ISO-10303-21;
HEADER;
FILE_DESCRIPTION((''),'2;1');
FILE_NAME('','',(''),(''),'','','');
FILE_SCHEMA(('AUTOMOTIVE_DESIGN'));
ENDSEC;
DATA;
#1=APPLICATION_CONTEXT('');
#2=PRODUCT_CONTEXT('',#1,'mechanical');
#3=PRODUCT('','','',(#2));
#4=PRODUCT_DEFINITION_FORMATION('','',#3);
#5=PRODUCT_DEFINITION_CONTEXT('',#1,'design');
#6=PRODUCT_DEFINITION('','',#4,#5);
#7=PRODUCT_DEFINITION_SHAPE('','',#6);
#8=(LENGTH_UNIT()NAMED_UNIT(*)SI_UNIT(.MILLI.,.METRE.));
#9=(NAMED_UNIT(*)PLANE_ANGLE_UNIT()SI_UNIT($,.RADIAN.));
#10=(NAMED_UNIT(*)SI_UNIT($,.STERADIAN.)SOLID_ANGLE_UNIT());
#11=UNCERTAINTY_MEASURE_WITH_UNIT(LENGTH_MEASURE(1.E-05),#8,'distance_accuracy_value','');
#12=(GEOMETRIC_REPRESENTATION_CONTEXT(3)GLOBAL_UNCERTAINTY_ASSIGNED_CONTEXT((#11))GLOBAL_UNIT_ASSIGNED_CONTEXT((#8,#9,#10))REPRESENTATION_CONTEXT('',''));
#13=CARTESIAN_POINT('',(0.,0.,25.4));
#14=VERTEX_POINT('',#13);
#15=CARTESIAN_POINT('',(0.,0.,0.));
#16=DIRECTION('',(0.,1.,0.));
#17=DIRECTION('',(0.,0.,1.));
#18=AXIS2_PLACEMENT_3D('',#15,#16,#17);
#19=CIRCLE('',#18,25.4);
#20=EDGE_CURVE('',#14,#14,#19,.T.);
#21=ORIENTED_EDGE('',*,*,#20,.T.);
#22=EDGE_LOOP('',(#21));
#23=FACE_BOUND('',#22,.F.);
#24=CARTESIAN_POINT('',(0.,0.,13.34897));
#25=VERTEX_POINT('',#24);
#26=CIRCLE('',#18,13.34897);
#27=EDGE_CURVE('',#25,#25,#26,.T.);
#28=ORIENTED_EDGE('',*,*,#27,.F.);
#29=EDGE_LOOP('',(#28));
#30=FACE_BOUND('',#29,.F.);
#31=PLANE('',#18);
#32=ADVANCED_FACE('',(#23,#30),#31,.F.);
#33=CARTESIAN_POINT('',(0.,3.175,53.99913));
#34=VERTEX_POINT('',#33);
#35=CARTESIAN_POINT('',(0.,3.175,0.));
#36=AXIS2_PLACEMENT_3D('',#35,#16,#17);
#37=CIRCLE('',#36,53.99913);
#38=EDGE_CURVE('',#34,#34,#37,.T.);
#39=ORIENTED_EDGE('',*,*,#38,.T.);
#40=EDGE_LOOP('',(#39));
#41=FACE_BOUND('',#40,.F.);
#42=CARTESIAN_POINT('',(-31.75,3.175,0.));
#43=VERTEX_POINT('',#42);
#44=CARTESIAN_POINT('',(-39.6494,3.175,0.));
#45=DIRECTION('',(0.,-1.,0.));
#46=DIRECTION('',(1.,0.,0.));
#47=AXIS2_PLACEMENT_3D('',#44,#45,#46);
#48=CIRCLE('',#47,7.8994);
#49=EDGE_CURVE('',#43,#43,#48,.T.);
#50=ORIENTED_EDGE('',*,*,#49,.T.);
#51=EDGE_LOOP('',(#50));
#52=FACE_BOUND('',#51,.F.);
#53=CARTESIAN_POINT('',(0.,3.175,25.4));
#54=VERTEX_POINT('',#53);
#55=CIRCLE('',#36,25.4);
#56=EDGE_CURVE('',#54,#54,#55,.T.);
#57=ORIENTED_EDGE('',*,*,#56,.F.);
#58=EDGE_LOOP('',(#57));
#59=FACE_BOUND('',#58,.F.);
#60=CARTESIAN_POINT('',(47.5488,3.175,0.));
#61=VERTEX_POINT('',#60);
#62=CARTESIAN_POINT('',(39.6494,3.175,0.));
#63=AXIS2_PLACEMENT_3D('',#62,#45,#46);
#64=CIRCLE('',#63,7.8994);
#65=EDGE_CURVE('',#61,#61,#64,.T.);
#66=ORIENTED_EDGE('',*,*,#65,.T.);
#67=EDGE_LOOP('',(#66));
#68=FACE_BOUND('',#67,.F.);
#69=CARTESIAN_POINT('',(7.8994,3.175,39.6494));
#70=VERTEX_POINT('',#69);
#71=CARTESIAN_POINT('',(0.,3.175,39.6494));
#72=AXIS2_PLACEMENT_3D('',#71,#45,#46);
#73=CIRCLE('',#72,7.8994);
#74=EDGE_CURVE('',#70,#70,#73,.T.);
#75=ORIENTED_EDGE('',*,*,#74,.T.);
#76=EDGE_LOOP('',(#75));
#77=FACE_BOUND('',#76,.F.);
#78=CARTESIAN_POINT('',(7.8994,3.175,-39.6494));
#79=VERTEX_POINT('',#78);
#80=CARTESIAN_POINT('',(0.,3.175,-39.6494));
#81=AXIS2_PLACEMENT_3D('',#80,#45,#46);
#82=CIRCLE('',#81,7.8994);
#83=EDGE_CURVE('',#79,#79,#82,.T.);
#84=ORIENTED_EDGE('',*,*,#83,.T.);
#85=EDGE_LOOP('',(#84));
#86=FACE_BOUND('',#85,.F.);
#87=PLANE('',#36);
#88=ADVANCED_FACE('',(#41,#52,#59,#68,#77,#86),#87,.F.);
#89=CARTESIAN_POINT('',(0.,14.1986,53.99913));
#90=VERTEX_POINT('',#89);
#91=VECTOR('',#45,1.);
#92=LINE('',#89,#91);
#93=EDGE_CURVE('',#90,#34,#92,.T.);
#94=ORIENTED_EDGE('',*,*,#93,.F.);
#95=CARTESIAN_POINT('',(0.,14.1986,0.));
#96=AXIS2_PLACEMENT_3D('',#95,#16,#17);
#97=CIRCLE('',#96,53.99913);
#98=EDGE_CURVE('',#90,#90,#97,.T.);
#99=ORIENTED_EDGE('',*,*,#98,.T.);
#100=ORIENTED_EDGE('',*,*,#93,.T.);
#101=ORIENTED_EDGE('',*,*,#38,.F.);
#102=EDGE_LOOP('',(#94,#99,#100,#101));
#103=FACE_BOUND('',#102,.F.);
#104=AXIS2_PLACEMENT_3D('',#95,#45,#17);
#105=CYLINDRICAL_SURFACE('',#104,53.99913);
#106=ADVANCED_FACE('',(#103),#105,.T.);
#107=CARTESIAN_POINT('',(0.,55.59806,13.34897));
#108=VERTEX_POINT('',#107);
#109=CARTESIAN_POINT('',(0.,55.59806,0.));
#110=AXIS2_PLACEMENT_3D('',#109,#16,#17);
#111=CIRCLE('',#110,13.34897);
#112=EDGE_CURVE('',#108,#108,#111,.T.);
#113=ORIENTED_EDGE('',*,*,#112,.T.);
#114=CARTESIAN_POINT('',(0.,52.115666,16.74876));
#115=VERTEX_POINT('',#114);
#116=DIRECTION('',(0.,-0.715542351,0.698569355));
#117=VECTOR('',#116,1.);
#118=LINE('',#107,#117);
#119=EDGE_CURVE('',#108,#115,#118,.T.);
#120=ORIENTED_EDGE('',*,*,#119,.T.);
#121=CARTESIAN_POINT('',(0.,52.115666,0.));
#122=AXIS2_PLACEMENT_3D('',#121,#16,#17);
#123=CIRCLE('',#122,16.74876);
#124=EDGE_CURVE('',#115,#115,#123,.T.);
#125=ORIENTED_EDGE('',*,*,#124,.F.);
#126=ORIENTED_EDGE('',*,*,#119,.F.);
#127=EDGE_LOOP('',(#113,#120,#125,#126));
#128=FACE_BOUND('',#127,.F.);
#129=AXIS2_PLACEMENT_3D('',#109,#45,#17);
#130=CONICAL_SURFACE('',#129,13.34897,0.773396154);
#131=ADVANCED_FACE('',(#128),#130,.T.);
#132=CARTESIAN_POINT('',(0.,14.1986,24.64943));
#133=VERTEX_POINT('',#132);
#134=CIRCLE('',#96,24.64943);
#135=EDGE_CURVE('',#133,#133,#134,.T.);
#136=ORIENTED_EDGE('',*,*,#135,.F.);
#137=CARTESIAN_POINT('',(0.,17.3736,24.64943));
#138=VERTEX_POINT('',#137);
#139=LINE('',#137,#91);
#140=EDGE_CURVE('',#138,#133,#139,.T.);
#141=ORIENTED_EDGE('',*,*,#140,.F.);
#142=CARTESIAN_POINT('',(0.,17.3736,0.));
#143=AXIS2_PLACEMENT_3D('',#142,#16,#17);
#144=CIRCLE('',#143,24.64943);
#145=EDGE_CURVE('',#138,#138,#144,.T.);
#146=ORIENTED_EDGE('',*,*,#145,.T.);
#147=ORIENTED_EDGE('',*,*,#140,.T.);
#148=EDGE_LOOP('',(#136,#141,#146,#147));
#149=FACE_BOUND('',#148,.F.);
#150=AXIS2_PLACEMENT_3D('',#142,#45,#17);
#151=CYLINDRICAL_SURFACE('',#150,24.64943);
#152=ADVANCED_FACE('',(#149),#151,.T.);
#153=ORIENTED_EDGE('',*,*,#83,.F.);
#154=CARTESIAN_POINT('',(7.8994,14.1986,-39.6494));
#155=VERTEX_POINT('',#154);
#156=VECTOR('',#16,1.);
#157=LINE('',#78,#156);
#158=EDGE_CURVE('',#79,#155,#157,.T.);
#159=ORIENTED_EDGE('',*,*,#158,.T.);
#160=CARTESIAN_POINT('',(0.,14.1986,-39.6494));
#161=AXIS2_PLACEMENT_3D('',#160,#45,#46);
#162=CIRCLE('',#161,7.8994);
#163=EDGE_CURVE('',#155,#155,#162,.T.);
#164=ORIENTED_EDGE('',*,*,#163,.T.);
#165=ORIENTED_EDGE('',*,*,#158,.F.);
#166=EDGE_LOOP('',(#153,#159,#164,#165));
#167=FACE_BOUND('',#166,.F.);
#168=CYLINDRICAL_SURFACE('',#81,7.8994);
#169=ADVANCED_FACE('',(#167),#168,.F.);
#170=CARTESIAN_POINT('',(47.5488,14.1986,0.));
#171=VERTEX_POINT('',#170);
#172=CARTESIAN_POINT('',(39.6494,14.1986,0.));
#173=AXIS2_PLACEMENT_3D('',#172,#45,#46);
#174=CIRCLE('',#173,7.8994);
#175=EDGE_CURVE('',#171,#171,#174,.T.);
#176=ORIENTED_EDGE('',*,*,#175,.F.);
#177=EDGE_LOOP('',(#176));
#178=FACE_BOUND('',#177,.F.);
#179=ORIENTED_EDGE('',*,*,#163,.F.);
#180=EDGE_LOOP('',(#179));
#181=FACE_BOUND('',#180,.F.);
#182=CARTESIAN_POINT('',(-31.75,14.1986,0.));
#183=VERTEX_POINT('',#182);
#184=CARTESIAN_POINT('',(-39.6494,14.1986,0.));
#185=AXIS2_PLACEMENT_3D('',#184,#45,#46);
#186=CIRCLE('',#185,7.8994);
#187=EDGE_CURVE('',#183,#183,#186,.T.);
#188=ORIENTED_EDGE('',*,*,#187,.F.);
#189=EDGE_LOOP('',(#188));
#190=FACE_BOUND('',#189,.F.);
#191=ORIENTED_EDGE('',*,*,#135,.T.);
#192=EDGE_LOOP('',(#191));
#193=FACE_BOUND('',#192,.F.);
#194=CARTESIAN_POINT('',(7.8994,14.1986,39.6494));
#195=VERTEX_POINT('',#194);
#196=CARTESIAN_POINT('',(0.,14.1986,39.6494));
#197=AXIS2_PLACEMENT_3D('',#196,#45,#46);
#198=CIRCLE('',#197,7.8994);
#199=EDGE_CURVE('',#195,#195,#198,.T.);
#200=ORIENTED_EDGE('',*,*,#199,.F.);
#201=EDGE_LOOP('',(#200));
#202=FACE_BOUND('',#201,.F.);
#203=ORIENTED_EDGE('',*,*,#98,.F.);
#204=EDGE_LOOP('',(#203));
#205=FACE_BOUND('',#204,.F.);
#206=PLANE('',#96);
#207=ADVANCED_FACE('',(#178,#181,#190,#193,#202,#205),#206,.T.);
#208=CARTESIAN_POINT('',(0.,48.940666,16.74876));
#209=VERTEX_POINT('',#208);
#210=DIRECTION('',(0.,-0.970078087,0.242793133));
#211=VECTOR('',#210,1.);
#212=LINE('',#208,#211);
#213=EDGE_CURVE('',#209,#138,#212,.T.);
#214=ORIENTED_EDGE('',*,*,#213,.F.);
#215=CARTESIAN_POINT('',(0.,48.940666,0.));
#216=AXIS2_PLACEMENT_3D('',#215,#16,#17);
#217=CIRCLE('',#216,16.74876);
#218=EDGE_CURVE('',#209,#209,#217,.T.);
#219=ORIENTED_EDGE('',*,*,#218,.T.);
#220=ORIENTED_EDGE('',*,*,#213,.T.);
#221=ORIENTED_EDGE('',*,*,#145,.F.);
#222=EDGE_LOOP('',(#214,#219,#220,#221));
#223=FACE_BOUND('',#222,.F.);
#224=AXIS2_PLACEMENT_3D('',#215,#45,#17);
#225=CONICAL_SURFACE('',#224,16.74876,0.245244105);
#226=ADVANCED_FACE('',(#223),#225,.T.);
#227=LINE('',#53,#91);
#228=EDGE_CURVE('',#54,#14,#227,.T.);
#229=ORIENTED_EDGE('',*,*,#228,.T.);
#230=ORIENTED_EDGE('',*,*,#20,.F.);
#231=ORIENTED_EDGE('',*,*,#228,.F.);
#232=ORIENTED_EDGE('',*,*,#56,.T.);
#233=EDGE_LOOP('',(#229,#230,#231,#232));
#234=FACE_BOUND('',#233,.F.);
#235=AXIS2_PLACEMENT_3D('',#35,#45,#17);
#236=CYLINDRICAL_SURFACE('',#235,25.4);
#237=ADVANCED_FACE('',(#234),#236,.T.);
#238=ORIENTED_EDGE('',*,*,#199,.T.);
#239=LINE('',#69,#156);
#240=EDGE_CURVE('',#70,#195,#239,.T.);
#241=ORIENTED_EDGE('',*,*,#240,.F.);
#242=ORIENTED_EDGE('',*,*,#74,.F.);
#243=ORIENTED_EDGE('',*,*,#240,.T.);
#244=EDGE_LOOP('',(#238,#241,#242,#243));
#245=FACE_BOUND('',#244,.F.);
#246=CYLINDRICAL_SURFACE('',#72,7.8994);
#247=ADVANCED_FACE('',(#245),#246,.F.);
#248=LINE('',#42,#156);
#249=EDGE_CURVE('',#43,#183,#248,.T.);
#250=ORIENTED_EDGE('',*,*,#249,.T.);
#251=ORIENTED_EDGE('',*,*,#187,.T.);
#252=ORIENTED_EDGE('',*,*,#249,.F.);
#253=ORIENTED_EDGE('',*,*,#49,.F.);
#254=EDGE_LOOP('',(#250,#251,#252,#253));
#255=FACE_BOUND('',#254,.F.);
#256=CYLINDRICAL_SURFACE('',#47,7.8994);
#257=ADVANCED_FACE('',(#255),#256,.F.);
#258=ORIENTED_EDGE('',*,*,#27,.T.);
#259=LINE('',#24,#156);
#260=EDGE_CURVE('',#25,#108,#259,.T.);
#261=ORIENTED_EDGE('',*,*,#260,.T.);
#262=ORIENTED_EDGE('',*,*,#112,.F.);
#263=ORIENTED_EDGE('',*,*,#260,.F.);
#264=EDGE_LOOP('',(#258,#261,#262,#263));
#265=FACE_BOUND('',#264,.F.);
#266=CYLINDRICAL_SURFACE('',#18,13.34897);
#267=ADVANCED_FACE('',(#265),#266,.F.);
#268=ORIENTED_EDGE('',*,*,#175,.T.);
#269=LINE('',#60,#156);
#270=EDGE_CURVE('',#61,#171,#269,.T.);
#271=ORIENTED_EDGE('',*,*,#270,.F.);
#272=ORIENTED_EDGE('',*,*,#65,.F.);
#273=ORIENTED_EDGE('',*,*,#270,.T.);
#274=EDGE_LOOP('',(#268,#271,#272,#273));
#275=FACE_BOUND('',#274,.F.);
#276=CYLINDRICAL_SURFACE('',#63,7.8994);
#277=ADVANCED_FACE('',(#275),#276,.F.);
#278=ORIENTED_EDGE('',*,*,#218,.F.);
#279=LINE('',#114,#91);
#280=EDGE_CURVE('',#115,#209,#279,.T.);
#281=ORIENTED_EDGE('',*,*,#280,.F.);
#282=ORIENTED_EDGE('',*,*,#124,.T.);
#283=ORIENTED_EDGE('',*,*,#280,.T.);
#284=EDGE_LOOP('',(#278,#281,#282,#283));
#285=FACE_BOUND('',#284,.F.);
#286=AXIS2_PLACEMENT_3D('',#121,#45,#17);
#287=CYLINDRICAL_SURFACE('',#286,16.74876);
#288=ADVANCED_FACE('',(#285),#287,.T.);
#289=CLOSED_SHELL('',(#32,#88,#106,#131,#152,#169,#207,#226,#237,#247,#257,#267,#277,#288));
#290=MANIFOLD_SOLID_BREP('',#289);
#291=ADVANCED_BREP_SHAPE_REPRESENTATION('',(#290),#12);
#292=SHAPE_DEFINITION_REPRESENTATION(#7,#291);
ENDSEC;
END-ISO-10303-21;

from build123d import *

# Parameters (mm, degrees)
F2_R     = 7.8994
F3_DEPTH = 52.42406


with BuildPart() as f1:
    # F0 (on Right) → F1 (revolve)
    with BuildSketch(Plane.YZ):
        Polygon((0, 25.4), (0, 13.34897), (55.59806, 13.34897), (52.115666, 16.74876), (48.940666, 16.74876), (17.3736, 24.64943), (14.1986, 24.64943), (14.1986, 53.99913), (3.175, 53.99913), (3.175, 25.4), align=None)
    revolve(axis=Axis((0, -0.429692, 0), (0, 1, 0)))

    # F2 (on face) → F3 (cut, through all)
    with BuildSketch(Plane.XZ.offset(-3.175)):
        with Locations((0, 39.6494)):
            Circle(F2_R)
        with Locations((-39.6494, 0)):
            Circle(F2_R)
        with Locations((0, -39.6494)):
            Circle(F2_R)
        with Locations((39.6494, 0)):
            Circle(F2_R)
    extrude(amount=-F3_DEPTH, mode=Mode.SUBTRACT)


solid = f1.part
